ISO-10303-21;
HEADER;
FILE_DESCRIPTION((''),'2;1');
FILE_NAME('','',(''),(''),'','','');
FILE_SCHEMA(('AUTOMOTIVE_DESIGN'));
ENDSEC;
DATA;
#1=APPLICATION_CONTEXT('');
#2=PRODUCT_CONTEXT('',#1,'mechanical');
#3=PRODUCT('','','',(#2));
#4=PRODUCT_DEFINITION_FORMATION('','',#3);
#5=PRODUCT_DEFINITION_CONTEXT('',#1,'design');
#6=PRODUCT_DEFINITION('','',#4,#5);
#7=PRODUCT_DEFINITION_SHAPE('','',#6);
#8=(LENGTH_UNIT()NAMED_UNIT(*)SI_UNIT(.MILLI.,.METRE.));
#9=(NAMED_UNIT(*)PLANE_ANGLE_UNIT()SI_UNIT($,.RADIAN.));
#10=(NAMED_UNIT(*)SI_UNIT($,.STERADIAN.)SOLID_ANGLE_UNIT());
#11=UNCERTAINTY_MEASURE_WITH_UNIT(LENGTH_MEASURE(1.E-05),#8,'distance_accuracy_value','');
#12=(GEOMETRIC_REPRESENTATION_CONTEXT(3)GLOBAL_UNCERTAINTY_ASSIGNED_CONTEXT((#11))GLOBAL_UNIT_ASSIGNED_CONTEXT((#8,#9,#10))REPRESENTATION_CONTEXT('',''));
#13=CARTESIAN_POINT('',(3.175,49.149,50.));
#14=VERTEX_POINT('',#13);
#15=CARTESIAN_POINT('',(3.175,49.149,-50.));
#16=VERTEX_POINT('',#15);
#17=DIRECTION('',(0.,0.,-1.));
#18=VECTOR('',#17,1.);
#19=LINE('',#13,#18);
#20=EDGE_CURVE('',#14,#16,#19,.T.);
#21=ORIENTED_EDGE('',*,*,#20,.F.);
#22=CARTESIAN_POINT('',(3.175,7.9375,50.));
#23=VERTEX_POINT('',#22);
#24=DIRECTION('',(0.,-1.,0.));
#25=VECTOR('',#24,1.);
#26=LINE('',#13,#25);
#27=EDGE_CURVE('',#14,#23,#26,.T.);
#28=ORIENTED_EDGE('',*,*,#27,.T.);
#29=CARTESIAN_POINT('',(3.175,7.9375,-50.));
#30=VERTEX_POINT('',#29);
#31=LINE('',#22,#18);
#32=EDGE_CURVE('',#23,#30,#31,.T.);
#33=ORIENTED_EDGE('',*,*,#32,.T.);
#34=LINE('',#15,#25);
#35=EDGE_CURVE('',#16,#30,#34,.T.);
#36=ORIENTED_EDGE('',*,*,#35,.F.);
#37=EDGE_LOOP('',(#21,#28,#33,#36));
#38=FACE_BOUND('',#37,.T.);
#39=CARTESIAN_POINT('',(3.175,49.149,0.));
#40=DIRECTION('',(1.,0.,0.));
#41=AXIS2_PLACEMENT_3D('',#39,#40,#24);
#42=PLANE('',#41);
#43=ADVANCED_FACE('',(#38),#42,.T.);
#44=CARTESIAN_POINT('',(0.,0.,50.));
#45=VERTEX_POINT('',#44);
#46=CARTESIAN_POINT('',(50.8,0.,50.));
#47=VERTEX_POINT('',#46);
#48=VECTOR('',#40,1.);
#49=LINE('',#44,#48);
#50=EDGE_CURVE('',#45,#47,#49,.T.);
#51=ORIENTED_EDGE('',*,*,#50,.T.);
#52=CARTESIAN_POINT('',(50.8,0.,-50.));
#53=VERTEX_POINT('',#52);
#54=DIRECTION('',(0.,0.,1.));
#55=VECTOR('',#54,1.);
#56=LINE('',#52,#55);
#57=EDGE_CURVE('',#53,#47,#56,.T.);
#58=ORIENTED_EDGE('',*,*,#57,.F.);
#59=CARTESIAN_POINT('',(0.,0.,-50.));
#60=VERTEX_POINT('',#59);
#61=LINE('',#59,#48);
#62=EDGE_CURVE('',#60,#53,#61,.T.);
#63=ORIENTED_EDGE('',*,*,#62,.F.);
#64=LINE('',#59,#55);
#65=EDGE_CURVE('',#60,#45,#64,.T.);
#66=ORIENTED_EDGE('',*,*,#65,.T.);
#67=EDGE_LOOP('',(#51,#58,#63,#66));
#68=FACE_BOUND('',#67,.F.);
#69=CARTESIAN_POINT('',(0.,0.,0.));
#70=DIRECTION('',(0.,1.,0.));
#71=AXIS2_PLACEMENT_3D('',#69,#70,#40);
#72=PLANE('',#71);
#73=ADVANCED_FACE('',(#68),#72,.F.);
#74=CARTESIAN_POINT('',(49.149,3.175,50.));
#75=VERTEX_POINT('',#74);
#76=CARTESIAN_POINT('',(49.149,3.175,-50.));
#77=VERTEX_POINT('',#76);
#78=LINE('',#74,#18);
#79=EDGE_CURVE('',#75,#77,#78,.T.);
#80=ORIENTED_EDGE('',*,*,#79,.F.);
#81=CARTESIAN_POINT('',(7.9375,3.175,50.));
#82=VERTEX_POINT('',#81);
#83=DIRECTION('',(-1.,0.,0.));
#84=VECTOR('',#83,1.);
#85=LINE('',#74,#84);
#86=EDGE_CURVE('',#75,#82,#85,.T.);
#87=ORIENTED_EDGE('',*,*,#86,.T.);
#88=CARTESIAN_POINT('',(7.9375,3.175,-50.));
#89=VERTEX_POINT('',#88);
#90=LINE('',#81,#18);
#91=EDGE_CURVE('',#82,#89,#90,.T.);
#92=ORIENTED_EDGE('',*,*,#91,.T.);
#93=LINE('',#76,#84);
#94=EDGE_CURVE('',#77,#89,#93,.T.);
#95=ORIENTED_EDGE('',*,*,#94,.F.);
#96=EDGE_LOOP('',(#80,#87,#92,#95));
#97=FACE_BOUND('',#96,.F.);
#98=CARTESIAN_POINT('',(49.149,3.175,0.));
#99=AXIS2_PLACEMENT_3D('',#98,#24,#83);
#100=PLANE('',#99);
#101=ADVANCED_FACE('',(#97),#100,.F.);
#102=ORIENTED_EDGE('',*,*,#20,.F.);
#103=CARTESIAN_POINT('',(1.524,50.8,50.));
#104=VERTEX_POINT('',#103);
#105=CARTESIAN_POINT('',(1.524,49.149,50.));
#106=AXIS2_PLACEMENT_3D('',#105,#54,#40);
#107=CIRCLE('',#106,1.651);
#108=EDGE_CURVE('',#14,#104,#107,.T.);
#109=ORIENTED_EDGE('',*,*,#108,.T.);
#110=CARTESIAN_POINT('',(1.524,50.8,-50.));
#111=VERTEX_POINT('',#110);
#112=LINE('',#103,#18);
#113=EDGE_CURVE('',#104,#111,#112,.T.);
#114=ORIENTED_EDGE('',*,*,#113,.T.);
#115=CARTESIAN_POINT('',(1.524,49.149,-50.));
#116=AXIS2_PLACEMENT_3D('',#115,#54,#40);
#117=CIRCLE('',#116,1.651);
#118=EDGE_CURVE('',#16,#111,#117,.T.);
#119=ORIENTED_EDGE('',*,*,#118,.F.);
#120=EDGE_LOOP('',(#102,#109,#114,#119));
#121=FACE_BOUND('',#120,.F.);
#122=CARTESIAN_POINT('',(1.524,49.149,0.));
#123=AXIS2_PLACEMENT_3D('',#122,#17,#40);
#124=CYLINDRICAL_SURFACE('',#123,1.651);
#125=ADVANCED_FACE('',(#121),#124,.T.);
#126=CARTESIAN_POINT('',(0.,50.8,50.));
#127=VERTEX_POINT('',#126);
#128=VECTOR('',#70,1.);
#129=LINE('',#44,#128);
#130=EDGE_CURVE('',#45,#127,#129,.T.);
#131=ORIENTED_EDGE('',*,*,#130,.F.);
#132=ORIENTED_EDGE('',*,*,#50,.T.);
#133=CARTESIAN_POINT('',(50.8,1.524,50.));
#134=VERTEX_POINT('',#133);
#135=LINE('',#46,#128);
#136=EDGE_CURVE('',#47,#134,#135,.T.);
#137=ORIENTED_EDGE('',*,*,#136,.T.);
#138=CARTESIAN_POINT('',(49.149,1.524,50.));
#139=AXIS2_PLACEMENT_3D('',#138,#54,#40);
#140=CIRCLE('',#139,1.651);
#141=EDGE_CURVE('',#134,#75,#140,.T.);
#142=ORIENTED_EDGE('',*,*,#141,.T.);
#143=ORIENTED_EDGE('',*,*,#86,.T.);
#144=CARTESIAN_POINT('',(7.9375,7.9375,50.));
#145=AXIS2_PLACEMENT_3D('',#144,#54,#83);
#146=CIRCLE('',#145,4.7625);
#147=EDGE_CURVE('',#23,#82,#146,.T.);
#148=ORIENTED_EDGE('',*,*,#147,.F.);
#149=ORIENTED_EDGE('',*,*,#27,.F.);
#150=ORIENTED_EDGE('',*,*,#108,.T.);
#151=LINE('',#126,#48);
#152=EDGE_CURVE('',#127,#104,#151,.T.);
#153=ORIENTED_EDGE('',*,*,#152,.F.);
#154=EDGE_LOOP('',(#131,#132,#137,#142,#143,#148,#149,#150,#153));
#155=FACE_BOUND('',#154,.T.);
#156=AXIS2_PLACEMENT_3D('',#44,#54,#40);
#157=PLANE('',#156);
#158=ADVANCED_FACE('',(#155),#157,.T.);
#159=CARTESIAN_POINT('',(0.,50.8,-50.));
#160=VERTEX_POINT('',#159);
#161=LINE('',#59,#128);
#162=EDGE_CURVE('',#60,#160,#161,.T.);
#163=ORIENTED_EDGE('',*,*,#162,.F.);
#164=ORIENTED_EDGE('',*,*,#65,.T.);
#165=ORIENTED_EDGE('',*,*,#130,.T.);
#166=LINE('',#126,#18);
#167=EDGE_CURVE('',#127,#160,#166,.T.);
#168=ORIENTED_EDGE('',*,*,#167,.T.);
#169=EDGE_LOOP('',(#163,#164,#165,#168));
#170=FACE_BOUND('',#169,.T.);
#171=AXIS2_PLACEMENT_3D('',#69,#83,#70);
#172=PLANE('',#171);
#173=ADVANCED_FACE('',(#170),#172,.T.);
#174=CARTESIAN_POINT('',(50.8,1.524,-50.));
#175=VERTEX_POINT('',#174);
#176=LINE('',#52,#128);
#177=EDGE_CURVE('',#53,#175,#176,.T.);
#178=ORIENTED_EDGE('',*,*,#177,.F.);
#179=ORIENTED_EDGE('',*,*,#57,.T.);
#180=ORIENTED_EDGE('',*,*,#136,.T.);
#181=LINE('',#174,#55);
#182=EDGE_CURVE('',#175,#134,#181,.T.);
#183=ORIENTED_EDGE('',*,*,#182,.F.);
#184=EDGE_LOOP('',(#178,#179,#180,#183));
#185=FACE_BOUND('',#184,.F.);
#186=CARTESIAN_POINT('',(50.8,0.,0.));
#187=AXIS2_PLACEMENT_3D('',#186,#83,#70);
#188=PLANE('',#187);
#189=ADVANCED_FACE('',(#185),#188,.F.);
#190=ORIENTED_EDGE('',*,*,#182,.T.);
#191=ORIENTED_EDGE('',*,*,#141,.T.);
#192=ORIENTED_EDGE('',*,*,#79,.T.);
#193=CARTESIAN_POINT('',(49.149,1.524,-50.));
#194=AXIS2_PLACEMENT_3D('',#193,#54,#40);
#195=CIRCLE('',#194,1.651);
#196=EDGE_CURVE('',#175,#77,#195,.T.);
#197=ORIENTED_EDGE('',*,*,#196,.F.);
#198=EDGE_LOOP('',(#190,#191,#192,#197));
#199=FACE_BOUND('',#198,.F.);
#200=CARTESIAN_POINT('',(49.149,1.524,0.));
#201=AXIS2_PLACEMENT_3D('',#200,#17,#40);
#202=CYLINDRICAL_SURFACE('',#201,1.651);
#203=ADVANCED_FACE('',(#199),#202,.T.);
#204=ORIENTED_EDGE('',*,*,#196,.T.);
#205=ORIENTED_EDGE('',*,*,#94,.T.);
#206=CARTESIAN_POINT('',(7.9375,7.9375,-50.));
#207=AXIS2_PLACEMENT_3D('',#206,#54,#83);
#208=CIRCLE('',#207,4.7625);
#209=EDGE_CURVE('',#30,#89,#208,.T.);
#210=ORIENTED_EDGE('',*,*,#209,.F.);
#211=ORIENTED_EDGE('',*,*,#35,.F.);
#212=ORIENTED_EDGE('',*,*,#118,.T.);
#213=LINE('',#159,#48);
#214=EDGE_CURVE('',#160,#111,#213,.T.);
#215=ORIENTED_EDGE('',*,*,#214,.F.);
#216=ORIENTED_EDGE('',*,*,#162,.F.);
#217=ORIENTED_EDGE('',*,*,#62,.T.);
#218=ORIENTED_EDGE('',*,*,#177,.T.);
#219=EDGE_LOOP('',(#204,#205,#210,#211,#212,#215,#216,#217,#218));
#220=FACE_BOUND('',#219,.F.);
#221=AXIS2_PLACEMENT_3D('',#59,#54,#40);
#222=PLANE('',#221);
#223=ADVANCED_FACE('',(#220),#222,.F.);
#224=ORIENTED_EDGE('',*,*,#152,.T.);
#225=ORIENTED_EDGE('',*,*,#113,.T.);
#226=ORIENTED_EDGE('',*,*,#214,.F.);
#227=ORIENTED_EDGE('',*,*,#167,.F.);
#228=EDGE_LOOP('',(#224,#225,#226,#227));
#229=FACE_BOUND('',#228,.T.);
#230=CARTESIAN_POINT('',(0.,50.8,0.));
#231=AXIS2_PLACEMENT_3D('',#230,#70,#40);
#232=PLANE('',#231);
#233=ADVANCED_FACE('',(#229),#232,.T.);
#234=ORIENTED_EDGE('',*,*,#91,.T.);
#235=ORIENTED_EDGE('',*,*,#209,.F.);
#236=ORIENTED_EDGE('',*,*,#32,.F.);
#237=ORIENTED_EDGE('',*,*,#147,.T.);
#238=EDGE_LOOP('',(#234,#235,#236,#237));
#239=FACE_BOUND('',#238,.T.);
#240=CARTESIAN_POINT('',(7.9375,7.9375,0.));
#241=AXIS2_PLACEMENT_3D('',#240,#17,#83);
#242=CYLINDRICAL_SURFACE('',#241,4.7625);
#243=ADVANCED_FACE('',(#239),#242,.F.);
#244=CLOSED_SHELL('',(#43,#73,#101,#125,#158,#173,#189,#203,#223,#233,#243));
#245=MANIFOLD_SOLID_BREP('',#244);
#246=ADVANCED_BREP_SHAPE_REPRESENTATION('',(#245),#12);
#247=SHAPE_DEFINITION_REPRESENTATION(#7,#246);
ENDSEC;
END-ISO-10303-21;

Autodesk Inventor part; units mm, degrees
ref_plane "YZ Plane" through (0, 0, 0) normal (1, 0, 0) x (0, 1, 0)
ref_plane "XZ Plane" through (0, 0, 0) normal (0, 1, 0) x (-1, 0, 0)
ref_plane "XY Plane" through (0, 0, 0) normal (0, 0, 1) x (1, 0, 0)
sketch "Sketch1" plane through (0, 0, 0) normal (0, 0, 1) x (1, 0, 0)
  line L0 (0, 0) -> (0, 50.8)
  line L1 (0, 50.8) -> (1.524, 50.8)
  line L2 (3.175, 49.149) -> (3.175, 7.9375)
  line L3 (0, 0) -> (50.8, 0)
  line L4 (50.8, 0) -> (50.8, 1.524)
  line L5 (49.149, 3.175) -> (7.9375, 3.175)
  arc A0 (3.175, 7.9375) -> (7.9375, 3.175) centre (7.9375, 7.9375) ccw
  arc A1 (3.175, 49.149) -> (1.524, 50.8) centre (1.524, 49.149) ccw
  arc A2 (50.8, 1.524) -> (49.149, 3.175) centre (49.149, 1.524) ccw
  dimension "thickness" = 3.175
  dimension "d3" = 3.175
  dimension "LegSize" = 50.8
  dimension "d5" = 50.8
  dimension "radius" = 4.7625
  dimension "d7" = 1.651
  dimension "d8" = 1.651
extrude "2\" X 2\" X 1/8\"" add sketch "Sketch1" along normal mid plane 100
equation "\"d3\" = thickness"
equation "\"d5\" = LegSize"
properties part number "ANGLE IRON, 2 X 2 X 0.125 THK" material "Angle Iron"
